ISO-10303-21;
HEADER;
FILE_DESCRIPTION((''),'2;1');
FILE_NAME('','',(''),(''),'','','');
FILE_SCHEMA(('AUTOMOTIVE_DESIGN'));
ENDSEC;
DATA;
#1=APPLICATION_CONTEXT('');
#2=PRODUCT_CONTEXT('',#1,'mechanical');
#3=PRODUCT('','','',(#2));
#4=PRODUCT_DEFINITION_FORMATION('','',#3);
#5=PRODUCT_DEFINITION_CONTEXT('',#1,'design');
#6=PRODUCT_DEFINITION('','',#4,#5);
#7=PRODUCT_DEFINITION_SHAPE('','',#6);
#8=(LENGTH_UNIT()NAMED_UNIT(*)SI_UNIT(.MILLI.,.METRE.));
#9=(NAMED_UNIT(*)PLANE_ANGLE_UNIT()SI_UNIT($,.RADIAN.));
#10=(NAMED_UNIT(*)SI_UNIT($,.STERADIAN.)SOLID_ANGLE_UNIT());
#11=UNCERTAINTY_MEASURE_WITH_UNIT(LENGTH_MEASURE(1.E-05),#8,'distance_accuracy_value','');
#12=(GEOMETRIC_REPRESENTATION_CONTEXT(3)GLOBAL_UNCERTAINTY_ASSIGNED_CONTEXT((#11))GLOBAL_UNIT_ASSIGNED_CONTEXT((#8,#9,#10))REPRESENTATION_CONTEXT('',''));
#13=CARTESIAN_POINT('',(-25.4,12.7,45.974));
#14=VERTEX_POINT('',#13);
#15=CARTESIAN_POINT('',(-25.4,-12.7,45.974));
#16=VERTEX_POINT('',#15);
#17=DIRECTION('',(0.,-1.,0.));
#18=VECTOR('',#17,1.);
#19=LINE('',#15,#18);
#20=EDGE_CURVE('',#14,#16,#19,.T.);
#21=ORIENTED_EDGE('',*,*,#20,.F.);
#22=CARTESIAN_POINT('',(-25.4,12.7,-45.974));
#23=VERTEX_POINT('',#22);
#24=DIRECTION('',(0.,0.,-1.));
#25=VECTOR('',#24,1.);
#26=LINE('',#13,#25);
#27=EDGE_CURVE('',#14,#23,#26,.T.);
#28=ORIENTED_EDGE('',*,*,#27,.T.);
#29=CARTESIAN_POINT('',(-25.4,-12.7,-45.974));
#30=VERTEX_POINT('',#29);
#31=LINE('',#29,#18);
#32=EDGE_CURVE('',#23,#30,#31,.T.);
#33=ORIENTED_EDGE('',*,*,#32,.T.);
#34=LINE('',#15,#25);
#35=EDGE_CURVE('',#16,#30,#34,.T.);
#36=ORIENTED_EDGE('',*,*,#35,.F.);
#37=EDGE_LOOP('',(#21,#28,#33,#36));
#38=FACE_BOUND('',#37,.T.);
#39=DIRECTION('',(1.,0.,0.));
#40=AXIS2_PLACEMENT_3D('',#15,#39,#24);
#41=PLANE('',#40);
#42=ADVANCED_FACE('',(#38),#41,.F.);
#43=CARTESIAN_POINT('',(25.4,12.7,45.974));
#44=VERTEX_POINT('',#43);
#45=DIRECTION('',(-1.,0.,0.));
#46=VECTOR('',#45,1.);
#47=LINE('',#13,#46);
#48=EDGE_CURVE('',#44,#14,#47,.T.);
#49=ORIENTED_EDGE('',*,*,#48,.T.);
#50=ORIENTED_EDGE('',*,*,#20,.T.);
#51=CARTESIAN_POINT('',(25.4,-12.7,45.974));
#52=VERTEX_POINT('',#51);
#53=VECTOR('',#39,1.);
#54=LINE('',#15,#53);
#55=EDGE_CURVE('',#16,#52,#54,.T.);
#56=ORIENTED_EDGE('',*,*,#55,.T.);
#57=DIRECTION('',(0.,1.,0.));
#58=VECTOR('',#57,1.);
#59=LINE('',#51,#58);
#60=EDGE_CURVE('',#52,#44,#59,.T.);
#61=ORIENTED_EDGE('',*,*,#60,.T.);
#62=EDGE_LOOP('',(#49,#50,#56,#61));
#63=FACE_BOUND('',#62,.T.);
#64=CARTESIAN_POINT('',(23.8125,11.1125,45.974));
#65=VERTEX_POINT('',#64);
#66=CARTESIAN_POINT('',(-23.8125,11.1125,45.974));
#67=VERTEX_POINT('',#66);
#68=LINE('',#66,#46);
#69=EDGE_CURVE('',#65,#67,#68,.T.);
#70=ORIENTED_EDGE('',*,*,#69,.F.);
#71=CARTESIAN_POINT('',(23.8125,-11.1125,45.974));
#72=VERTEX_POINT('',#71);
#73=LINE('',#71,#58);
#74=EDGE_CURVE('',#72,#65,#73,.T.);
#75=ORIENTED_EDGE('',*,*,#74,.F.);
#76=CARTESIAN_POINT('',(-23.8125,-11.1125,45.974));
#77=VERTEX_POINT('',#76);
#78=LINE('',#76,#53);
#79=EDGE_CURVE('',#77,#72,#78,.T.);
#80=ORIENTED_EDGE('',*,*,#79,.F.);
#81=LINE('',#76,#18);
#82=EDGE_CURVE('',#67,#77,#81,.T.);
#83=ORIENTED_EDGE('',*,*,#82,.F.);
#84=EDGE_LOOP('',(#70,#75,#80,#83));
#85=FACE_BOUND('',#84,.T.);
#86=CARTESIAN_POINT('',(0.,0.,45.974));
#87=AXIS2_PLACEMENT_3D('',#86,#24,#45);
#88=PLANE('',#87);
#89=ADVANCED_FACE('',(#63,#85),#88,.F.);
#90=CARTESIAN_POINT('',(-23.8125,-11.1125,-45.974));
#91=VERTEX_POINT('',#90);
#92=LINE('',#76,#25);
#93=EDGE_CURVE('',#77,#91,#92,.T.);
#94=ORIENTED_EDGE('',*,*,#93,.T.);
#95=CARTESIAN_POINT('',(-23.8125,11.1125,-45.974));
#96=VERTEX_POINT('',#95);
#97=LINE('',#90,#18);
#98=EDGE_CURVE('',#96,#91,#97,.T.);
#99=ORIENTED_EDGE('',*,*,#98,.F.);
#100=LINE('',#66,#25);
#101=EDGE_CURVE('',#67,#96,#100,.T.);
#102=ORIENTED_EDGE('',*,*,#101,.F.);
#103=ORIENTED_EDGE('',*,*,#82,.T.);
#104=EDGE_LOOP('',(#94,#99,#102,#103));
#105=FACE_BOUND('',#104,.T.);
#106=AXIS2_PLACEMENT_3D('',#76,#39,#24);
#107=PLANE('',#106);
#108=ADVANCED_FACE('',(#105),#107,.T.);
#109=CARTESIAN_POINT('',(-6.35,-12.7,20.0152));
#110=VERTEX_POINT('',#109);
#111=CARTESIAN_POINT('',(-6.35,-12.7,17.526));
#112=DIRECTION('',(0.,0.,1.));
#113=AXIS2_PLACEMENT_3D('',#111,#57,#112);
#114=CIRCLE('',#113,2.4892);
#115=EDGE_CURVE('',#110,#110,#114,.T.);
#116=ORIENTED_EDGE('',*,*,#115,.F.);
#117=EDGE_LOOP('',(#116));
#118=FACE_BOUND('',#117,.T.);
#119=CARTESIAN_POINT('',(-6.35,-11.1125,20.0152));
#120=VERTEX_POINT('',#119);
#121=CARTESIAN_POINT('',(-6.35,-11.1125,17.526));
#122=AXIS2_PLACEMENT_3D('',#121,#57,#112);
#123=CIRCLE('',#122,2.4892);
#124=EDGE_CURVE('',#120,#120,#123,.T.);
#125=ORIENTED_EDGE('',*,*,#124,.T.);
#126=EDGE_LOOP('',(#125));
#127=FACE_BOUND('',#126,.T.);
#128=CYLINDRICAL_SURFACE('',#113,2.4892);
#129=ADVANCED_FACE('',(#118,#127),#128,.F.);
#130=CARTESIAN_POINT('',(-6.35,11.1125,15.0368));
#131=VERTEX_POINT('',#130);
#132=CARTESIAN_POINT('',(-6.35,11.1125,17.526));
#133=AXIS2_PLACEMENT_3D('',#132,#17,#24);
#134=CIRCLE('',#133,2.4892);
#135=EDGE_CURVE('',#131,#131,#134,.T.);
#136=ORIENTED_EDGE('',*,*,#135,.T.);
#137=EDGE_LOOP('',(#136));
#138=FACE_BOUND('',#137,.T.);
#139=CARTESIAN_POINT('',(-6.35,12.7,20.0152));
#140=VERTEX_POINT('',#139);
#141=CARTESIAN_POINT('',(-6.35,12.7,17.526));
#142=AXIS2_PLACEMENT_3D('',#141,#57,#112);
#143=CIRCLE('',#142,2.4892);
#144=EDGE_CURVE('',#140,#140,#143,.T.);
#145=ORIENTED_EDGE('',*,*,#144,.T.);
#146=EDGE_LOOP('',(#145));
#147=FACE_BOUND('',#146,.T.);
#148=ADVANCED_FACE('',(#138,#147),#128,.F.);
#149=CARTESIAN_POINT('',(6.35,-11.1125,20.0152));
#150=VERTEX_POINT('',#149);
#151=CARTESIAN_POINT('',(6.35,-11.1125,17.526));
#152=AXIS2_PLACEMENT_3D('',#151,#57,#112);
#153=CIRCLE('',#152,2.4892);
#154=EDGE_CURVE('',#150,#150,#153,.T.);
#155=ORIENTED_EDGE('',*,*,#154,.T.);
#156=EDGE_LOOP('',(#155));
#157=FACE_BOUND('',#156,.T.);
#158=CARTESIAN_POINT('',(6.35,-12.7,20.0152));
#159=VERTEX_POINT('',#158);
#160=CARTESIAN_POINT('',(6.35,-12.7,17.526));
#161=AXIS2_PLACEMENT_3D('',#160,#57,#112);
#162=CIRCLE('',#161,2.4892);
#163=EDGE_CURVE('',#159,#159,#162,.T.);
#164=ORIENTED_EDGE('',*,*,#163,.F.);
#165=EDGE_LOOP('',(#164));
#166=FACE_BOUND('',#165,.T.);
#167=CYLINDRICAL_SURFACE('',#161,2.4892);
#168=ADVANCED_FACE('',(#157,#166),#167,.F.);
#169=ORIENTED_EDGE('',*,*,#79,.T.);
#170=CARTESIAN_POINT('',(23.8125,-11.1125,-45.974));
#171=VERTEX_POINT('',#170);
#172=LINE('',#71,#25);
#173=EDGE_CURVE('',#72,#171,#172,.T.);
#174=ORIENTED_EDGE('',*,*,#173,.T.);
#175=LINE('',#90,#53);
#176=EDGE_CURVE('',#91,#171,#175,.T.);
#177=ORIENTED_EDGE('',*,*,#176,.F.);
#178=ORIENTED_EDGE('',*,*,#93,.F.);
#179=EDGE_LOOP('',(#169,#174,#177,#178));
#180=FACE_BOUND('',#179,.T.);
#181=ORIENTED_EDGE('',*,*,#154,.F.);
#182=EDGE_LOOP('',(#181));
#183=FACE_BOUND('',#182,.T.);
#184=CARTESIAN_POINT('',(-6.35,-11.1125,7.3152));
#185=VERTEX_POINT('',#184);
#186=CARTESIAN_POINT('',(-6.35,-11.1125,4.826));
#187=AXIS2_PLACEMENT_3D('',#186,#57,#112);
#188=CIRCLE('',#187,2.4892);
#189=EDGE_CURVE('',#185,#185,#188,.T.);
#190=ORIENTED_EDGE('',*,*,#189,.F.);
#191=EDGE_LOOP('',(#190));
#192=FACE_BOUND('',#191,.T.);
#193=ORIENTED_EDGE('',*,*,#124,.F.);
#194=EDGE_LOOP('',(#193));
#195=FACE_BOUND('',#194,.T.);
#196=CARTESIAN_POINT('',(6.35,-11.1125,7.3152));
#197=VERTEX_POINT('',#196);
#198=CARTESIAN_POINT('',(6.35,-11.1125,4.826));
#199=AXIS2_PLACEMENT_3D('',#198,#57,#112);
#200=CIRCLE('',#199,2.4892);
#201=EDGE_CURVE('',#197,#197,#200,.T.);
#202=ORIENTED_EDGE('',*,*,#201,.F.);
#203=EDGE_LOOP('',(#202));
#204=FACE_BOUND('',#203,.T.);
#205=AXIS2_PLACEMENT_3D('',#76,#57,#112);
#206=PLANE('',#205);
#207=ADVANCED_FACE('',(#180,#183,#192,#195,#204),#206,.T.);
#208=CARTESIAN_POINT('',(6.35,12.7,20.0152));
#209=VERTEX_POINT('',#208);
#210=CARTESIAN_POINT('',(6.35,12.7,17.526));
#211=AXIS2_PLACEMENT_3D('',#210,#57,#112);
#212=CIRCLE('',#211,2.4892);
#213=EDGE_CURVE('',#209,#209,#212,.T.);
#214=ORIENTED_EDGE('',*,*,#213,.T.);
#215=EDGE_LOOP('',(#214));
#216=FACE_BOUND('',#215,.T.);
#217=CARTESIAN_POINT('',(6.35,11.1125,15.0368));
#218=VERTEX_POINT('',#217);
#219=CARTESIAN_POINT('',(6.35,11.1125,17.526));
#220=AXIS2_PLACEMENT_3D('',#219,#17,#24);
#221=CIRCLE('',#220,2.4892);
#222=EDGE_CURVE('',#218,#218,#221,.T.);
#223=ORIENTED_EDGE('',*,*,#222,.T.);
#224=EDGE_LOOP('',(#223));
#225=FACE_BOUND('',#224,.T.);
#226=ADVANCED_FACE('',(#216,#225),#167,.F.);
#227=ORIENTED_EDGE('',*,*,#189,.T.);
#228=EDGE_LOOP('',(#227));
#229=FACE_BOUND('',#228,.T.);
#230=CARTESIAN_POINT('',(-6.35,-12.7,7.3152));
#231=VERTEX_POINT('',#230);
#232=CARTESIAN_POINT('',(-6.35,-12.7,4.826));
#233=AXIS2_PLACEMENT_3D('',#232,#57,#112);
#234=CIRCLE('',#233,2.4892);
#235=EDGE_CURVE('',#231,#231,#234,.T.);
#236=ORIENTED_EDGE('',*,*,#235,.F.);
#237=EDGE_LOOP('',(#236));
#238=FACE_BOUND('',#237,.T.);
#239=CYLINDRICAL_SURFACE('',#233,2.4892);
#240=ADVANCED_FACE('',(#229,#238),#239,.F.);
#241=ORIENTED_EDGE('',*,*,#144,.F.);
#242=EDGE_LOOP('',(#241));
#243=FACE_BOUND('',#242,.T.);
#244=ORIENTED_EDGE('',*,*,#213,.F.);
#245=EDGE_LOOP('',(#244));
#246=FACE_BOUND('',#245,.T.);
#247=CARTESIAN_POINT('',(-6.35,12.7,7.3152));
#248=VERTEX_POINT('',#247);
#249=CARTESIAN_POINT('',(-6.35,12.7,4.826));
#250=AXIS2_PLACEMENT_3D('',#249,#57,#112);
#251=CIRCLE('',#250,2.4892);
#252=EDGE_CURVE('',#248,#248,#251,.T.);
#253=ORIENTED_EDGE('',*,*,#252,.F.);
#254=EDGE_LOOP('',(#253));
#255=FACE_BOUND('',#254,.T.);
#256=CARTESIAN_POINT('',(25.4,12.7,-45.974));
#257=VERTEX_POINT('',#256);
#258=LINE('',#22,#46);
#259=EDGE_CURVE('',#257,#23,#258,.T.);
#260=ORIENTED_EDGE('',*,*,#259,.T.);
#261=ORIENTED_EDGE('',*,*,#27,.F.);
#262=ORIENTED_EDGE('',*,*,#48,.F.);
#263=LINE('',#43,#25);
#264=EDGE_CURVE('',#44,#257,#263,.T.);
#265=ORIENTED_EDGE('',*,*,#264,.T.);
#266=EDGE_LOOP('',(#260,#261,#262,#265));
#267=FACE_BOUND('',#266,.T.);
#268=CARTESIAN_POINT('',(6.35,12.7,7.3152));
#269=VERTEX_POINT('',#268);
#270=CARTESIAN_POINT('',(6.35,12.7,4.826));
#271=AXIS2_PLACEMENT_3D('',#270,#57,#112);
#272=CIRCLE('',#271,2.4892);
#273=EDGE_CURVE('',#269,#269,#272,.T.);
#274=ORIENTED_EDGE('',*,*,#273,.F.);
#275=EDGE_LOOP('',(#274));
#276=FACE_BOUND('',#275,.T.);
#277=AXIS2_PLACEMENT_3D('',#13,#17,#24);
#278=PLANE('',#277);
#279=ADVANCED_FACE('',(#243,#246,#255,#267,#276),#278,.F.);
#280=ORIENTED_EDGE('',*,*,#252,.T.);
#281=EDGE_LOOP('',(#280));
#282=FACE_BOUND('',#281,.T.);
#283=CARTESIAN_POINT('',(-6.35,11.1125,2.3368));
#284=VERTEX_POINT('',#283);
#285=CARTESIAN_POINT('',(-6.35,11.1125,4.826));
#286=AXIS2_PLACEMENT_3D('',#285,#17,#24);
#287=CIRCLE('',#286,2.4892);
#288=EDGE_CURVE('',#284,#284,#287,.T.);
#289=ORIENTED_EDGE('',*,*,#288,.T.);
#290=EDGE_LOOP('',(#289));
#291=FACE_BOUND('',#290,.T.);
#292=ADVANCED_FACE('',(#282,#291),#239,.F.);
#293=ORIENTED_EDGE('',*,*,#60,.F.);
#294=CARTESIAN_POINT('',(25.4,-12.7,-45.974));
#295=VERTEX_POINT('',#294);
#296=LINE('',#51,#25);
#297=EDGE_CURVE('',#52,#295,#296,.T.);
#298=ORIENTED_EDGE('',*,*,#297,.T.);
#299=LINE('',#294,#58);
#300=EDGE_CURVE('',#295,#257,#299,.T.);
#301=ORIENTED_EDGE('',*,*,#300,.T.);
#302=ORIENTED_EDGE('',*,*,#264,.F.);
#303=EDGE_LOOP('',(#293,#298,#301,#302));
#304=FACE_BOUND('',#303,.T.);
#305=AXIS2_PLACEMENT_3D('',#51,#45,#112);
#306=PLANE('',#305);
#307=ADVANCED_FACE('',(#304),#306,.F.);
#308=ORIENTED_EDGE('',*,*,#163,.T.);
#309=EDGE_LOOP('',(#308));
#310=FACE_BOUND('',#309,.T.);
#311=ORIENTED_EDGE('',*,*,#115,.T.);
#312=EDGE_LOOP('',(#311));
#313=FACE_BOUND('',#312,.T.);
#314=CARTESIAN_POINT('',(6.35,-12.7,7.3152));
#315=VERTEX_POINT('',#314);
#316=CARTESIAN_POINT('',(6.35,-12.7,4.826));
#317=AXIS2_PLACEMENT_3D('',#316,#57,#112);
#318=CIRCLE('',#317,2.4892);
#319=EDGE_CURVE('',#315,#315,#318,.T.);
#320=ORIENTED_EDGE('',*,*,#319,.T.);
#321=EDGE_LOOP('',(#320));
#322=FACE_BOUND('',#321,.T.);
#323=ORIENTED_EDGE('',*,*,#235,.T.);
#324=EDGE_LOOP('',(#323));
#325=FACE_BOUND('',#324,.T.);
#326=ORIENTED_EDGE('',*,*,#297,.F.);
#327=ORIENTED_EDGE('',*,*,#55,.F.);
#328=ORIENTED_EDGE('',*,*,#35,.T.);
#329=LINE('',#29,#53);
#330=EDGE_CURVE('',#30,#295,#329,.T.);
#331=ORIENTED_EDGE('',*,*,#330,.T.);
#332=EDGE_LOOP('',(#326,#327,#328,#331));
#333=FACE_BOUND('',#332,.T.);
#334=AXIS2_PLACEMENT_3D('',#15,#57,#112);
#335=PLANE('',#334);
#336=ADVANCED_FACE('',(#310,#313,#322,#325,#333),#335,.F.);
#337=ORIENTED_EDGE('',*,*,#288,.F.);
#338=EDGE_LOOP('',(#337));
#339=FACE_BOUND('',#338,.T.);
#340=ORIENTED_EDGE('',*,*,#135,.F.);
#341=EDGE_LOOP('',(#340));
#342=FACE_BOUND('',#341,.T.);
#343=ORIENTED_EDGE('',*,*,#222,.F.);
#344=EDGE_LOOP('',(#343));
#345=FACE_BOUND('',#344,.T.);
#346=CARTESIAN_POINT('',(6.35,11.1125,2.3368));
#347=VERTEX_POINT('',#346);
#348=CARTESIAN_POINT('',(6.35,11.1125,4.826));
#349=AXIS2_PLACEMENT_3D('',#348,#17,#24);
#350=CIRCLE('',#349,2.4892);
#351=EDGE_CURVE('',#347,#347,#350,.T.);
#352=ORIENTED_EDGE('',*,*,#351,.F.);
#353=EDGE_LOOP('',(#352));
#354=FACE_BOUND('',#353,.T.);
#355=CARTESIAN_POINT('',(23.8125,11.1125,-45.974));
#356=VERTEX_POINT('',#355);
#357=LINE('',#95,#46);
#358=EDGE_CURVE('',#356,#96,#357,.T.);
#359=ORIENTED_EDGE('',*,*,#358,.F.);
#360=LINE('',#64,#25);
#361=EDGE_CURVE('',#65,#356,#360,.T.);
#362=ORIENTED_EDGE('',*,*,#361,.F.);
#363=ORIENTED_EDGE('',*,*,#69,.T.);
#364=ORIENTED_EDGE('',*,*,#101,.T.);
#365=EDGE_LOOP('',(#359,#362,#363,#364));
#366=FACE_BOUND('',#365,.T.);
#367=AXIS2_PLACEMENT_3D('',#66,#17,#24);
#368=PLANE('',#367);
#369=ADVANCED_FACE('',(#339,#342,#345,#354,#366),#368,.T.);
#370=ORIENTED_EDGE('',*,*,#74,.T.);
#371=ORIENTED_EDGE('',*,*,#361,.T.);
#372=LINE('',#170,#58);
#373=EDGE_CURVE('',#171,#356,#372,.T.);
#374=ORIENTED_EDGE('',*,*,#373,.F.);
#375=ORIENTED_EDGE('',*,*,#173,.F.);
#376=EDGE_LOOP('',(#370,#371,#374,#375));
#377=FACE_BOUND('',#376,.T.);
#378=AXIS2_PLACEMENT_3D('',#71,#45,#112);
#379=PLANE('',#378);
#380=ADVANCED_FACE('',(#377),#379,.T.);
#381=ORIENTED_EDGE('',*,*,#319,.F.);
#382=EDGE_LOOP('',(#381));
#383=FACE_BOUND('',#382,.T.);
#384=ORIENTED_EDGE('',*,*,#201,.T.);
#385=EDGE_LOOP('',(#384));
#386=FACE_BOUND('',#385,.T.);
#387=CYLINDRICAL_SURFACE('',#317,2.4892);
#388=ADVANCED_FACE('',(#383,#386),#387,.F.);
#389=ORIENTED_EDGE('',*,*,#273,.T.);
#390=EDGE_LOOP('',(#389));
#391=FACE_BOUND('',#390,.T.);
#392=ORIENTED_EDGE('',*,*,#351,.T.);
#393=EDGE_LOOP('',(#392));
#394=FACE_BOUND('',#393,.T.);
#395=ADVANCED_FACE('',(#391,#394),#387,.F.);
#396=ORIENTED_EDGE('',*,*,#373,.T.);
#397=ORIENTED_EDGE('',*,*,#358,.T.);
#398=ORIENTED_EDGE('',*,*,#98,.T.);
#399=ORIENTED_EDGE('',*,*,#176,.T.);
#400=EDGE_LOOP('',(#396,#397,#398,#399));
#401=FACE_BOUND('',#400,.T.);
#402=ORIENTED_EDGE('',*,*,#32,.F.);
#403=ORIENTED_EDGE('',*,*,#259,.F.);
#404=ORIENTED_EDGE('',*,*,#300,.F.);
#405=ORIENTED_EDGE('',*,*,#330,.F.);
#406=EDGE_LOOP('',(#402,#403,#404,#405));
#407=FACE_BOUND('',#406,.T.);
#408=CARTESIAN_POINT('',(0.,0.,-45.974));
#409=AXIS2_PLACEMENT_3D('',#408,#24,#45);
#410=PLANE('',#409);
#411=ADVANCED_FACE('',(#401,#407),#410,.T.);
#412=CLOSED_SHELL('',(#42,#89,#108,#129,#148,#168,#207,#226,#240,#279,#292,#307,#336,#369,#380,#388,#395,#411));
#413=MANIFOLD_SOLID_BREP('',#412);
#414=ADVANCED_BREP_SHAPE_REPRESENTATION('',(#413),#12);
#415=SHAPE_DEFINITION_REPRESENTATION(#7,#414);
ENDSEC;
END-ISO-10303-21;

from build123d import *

# Parameters (mm, degrees)
SKETCH1_W           = 50.8
SKETCH1_H           = 25.4
SKETCH1_W_2         = 47.625
SKETCH1_H_2         = 22.225
BOSS_EXTRUDE1_DEPTH = 45.974
SKETCH2_R           = 2.4892
CUT_EXTRUDE1_DEPTH  = 59.343197341


with BuildPart() as part:
    # Sketch1 → Boss-Extrude1 (new, symmetric)
    with BuildSketch(Plane.XY):
        Rectangle(SKETCH1_W, SKETCH1_H)
        Rectangle(SKETCH1_W_2, SKETCH1_H_2, mode=Mode.SUBTRACT)
    extrude(amount=BOSS_EXTRUDE1_DEPTH, both=True)

    # Sketch2 → Cut-Extrude1 (cut, through all)
    with BuildSketch(Plane(origin=(0, 12.7, 0), x_dir=(1, 0, 0), z_dir=(0, 1, 0))):
        with Locations(Location((-6.35, -4.826, 0), (0, 0, 270))):
            Circle(SKETCH2_R)
        with Locations(Location((6.35, -4.826, 0), (0, 0, 270))):
            Circle(SKETCH2_R)
        with Locations(Location((-6.35, -17.526, 0), (0, 0, 270))):
            Circle(SKETCH2_R)
        with Locations(Location((6.35, -17.526, 0), (0, 0, 270))):
            Circle(SKETCH2_R)
    extrude(amount=-CUT_EXTRUDE1_DEPTH, mode=Mode.SUBTRACT)


solid = part.part
